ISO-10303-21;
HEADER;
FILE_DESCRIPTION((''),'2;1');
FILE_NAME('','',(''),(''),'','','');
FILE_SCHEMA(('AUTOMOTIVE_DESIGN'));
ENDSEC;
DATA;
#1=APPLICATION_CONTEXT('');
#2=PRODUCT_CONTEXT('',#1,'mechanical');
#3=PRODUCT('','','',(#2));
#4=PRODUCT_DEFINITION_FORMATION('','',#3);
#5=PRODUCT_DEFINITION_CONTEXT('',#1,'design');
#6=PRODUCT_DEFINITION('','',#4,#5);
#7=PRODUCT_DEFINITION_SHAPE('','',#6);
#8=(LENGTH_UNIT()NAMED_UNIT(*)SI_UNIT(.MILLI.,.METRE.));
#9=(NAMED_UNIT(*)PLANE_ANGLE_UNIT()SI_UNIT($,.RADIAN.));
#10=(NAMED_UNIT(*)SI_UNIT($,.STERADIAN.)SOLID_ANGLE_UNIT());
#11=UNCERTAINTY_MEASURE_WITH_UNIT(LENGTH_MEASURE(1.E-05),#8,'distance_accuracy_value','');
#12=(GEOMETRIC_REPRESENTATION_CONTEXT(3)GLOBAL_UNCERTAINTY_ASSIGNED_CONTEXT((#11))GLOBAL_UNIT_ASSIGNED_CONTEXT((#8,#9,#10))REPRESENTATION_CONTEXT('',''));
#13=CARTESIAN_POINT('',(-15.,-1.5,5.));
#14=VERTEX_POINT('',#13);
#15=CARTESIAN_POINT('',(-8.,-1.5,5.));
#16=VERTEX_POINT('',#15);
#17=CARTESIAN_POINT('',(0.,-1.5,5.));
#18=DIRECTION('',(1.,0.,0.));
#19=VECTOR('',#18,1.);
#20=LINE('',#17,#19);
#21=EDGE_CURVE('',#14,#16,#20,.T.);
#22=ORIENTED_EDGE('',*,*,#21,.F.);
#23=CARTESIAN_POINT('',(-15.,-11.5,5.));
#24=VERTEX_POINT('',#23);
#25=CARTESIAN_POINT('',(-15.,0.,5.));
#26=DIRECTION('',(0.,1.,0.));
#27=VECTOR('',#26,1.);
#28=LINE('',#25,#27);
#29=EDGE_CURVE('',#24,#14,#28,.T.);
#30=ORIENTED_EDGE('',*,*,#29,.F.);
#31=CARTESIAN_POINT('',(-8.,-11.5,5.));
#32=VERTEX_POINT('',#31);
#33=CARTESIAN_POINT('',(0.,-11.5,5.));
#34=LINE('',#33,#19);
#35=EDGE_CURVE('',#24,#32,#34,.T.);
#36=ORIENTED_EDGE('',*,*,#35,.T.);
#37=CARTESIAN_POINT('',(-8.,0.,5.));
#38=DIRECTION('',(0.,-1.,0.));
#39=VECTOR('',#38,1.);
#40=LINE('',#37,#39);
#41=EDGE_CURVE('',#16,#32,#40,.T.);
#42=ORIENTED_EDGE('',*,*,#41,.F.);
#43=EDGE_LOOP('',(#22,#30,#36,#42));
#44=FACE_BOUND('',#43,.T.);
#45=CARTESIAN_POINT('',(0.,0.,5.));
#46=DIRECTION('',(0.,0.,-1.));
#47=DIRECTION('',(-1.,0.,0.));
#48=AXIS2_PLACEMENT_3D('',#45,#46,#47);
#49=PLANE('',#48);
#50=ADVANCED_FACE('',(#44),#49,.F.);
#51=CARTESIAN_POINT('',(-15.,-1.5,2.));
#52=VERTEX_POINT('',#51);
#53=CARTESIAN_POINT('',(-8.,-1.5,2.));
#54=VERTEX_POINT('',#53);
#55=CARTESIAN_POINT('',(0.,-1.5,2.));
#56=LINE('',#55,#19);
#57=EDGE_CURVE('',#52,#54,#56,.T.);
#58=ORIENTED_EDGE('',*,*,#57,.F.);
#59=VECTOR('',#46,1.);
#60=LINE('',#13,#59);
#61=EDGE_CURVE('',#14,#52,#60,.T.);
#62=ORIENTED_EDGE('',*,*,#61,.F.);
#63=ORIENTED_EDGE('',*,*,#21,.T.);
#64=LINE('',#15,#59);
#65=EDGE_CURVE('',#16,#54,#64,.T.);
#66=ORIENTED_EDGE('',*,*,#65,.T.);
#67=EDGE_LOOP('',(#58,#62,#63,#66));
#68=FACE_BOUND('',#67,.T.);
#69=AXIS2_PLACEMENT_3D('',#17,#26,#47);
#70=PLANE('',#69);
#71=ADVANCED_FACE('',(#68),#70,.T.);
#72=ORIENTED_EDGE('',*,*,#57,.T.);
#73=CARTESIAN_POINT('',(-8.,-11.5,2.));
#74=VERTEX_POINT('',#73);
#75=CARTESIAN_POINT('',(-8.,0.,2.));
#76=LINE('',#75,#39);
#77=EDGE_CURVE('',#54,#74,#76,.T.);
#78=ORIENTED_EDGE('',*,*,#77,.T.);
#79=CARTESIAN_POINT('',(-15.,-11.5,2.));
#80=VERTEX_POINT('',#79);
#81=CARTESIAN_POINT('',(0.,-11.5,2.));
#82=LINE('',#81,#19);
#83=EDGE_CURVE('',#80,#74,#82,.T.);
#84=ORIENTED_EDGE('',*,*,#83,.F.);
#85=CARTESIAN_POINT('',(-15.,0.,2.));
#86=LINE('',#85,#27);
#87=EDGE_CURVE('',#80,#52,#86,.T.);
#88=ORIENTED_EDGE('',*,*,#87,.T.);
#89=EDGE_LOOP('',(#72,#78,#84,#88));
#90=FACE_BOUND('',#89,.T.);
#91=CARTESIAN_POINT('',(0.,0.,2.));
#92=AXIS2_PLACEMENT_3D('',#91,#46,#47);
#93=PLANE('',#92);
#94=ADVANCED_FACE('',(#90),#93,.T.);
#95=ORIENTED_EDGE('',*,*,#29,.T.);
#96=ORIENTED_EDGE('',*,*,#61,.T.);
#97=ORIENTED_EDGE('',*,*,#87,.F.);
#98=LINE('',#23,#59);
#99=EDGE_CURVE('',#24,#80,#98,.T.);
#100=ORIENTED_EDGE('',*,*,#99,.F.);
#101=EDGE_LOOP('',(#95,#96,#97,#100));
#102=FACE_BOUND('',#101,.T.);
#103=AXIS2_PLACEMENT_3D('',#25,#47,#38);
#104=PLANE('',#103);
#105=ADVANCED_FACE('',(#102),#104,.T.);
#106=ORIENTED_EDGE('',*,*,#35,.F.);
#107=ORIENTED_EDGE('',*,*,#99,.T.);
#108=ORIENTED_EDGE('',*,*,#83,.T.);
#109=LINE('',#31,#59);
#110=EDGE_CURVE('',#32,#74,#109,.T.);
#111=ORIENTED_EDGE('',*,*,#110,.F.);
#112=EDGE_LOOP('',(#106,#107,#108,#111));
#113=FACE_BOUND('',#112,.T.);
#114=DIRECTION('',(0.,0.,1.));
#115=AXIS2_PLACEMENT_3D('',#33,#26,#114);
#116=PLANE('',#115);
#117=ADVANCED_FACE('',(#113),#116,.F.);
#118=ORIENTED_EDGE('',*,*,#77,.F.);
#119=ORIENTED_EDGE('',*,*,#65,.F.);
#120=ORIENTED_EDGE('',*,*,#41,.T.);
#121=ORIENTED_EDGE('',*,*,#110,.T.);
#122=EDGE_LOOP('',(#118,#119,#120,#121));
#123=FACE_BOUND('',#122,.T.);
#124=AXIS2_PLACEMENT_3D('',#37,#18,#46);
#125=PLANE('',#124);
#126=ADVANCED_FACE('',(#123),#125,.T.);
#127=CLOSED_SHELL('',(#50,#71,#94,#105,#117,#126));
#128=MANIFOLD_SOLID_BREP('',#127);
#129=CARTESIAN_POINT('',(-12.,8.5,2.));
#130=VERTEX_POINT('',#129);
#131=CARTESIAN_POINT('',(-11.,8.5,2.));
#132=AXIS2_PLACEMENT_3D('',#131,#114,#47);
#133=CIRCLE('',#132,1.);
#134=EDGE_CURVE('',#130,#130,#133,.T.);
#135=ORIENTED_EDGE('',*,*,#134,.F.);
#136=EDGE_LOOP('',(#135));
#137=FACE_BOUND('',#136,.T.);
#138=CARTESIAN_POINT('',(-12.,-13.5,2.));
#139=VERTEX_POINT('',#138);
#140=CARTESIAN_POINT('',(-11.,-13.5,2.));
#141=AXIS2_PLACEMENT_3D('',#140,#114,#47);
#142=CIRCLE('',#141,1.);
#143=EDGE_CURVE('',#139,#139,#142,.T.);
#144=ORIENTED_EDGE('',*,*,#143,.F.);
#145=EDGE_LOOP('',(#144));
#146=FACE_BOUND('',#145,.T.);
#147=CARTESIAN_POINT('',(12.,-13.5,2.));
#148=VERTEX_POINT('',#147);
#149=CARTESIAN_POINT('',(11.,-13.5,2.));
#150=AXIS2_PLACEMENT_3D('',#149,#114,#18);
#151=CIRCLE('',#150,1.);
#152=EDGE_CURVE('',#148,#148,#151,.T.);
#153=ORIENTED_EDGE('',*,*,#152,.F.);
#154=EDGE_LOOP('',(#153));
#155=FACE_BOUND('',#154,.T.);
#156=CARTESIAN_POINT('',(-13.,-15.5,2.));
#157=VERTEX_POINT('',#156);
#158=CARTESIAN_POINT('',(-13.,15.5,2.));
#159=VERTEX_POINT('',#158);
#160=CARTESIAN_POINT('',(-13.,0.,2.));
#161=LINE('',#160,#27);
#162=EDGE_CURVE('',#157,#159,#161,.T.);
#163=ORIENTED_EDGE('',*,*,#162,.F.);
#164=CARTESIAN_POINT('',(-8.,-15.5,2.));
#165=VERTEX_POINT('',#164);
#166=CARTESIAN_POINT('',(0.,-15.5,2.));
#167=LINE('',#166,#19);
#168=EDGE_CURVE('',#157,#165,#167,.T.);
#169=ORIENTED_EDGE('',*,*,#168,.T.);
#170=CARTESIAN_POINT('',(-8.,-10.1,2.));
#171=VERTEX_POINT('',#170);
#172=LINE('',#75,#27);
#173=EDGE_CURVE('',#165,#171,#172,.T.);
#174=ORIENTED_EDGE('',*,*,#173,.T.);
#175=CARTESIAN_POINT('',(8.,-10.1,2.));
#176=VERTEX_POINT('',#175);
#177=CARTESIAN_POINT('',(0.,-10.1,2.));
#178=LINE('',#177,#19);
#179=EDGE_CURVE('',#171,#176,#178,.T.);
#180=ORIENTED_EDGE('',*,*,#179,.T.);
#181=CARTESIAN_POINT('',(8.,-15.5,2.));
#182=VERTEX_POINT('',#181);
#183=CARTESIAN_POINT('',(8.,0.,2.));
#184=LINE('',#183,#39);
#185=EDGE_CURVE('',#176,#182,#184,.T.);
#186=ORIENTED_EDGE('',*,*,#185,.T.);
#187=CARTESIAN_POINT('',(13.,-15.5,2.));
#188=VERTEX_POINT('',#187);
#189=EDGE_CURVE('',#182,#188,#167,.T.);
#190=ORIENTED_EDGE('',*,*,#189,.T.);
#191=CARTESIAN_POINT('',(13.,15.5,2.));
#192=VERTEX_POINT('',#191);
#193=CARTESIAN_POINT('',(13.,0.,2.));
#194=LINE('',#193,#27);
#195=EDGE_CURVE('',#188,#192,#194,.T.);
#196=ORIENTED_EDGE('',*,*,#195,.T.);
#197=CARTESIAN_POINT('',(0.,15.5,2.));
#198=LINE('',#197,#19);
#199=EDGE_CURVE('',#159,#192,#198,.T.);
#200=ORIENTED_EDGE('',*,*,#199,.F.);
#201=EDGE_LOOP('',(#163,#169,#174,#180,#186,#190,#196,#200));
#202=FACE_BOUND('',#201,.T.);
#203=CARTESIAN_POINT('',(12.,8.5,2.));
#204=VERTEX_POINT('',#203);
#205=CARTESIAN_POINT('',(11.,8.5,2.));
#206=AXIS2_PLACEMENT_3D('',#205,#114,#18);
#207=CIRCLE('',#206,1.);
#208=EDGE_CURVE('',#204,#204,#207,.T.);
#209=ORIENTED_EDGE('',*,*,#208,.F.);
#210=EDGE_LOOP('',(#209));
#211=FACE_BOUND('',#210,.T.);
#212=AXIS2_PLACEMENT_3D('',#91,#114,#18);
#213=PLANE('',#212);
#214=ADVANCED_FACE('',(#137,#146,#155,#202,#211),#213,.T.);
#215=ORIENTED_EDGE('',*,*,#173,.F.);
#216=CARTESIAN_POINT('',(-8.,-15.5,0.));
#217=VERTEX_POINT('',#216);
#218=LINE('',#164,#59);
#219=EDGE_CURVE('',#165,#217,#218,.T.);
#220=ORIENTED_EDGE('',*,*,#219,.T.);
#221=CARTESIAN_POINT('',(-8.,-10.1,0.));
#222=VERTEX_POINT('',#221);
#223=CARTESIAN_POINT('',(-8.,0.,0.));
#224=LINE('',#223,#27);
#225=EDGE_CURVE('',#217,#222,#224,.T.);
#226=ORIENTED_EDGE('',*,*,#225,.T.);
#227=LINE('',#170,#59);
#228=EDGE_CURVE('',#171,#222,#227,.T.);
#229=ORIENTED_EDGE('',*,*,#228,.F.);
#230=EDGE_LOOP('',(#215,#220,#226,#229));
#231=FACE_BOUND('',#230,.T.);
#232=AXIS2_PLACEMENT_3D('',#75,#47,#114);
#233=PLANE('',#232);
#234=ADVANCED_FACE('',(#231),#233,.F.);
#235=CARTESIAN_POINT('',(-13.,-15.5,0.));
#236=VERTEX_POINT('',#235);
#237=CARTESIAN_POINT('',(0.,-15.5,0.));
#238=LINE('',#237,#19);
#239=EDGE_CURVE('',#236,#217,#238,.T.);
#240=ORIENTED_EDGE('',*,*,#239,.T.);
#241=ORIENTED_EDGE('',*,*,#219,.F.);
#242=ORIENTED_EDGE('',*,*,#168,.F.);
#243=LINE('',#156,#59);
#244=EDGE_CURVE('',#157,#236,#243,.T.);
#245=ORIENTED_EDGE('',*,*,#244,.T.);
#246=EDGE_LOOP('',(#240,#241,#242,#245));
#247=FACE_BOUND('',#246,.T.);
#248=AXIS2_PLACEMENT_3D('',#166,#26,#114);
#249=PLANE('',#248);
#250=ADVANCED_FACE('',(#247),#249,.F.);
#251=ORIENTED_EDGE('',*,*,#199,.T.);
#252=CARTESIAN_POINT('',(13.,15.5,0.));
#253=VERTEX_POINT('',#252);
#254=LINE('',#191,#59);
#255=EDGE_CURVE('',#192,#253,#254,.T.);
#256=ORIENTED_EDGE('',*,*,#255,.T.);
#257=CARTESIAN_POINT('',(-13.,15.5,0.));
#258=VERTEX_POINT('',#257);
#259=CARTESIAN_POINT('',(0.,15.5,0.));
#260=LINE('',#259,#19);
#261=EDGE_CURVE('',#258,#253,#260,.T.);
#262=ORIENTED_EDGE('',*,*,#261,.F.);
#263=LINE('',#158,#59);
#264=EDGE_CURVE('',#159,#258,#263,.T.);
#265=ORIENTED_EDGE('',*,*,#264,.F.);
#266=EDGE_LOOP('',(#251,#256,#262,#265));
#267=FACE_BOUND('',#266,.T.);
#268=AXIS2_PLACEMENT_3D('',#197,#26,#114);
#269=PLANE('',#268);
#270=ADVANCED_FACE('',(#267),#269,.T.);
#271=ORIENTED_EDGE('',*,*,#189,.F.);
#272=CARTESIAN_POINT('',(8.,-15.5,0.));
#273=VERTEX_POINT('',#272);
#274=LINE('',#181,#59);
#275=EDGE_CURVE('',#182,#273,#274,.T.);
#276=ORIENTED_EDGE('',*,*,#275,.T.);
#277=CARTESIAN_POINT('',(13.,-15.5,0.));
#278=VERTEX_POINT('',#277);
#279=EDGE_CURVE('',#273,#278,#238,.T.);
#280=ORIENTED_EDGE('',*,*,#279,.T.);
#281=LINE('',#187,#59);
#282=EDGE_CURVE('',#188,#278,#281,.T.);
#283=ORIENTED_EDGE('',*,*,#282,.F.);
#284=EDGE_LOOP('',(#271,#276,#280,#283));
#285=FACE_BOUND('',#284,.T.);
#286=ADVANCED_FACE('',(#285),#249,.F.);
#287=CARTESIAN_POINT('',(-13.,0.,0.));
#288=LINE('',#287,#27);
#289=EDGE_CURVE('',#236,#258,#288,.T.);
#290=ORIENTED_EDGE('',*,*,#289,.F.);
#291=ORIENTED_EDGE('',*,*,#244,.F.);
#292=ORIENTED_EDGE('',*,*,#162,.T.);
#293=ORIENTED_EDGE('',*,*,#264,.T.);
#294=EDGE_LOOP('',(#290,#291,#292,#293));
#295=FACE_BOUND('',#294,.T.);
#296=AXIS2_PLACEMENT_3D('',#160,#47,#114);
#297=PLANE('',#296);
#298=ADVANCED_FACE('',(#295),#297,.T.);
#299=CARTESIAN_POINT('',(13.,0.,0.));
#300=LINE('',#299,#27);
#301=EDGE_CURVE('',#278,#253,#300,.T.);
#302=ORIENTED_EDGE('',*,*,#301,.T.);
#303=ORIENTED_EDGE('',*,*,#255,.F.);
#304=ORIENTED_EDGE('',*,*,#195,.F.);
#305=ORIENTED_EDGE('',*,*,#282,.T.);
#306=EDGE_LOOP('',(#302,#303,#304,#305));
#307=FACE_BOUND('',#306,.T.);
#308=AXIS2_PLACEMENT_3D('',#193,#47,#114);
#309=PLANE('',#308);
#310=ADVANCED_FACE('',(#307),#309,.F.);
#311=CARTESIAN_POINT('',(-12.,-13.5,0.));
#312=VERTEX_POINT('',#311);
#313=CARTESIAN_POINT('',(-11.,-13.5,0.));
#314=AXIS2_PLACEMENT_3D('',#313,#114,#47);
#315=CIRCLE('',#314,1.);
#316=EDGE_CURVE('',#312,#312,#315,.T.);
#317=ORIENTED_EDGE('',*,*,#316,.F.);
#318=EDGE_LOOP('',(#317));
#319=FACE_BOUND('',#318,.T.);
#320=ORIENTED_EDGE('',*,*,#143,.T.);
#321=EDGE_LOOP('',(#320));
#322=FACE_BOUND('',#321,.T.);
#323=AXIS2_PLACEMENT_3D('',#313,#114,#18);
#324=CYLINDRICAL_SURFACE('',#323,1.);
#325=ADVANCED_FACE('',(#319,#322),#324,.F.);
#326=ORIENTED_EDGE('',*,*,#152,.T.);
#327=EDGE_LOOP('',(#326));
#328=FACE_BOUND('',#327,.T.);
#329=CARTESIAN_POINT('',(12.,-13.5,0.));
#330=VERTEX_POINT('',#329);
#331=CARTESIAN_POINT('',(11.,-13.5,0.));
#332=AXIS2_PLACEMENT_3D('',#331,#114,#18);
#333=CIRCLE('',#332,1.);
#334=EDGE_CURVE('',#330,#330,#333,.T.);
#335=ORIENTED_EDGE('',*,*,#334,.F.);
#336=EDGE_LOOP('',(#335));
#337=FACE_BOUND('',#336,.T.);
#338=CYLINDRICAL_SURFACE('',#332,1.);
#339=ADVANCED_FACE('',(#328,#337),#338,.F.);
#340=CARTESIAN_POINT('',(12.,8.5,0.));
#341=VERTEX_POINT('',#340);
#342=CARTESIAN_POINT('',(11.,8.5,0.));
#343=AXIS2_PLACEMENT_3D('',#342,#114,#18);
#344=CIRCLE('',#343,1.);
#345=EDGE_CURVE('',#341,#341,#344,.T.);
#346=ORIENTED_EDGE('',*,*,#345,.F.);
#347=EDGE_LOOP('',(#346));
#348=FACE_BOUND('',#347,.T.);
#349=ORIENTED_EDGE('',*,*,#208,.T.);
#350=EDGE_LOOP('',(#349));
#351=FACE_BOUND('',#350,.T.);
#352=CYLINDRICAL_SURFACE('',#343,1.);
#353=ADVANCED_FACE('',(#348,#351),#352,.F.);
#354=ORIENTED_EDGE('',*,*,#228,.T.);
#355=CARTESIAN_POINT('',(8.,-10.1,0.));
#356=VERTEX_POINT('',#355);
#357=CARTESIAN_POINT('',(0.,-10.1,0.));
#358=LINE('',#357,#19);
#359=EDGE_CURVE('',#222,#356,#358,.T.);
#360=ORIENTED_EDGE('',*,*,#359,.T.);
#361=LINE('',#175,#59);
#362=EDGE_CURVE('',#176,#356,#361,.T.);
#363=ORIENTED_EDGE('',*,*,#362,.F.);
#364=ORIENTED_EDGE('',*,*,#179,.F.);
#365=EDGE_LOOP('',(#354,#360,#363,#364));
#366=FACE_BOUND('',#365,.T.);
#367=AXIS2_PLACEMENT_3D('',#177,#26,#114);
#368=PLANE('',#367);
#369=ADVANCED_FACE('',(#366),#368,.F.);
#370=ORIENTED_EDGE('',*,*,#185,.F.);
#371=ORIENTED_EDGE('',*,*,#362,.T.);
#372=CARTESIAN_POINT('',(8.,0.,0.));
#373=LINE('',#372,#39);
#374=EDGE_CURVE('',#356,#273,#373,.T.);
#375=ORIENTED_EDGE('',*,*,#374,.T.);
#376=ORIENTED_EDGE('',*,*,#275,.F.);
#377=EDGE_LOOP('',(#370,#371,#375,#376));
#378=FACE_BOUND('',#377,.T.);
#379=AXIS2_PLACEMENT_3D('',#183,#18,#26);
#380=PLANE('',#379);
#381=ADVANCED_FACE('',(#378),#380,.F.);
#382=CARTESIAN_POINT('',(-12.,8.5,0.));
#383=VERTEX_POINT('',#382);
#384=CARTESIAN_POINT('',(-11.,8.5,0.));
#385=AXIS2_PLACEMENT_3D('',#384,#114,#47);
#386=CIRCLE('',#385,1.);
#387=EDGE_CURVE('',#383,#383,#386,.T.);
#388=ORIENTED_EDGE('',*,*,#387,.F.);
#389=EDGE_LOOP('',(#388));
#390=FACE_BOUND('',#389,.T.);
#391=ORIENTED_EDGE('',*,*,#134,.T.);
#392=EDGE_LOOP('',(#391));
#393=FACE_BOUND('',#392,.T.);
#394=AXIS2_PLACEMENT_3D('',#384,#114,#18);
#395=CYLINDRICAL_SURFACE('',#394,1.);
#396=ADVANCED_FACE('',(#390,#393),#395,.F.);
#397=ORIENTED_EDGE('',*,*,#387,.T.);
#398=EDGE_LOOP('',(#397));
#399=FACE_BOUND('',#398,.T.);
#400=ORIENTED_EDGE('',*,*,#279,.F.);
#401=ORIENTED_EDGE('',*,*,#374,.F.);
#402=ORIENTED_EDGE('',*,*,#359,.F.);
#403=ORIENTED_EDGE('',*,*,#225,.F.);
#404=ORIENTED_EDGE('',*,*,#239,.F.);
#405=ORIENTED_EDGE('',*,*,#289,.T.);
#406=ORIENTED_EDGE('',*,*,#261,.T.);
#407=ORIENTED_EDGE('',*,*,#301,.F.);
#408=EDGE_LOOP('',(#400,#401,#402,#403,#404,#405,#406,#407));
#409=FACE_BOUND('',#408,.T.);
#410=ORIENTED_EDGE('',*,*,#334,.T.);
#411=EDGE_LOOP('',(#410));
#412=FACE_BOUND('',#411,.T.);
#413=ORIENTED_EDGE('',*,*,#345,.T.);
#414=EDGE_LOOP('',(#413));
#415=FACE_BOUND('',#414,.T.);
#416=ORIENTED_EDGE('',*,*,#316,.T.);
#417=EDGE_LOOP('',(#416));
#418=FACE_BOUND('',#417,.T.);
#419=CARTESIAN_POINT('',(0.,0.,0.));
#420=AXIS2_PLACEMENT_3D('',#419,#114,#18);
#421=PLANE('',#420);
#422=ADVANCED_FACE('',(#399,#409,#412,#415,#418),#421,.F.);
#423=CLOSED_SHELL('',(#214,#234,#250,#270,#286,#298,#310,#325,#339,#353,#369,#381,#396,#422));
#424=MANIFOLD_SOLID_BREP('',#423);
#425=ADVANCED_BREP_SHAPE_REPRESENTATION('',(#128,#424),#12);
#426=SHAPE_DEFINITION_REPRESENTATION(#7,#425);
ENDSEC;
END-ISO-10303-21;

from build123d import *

# Parameters (mm, degrees)
SKETCH_1_W          = 5
SKETCH_1_H          = 4
EXTRUDE_1_DEPTH     = 2
EXTRUDE_START       = 2
SKETCH_1_3_W        = 2
SKETCH_1_3_H        = 10
EXTRUDE_2_DEPTH     = 3
SKETCH_2_R          = 1
CUT_EXTRUDE_1_DEPTH = 3


with BuildPart() as part:
    # Эскиз1 → Бобышка-Вытянуть1 (new body)
    with BuildSketch(Plane.XY):
        Polygon((-8, -1.5), (-8, -10.1), (8, -10.1), (8, -15.5), (13, -15.5), (13, 15.5), (-13, 15.5), (-13, -1.5), align=None)
        Polygon((-13, -11.5), (-8, -11.5), (-8, -10.1), (-8, -1.5), (-13, -1.5), align=None)
        with Locations((-10.5, -13.5)):
            Rectangle(SKETCH_1_W, SKETCH_1_H)
    extrude(amount=EXTRUDE_1_DEPTH)

    # Эскиз2 → Вырез-Вытянуть1 (cut, through all)
    with BuildSketch(Plane.XY.offset(2)):
        with Locations((11, -13.5)):
            Circle(SKETCH_2_R)
        with Locations((-11, -13.5)):
            Circle(SKETCH_2_R)
        with Locations((11, 8.5)):
            Circle(SKETCH_2_R)
        with Locations((-11, 8.5)):
            Circle(SKETCH_2_R)
    extrude(amount=-CUT_EXTRUDE_1_DEPTH, mode=Mode.SUBTRACT)


with BuildPart() as body_2:
    # Эскиз1<3> → Бобышка-Вытянуть2 (new body)
    with BuildSketch(Plane.XY.offset(EXTRUDE_START)):
        with Locations((-14, -6.5)):
            Rectangle(SKETCH_1_3_W, SKETCH_1_3_H)
        Polygon((-13, -11.5), (-8, -11.5), (-8, -10.1), (-8, -1.5), (-13, -1.5), align=None)
    extrude(amount=EXTRUDE_2_DEPTH)


solid = Compound([part.part, body_2.part])
